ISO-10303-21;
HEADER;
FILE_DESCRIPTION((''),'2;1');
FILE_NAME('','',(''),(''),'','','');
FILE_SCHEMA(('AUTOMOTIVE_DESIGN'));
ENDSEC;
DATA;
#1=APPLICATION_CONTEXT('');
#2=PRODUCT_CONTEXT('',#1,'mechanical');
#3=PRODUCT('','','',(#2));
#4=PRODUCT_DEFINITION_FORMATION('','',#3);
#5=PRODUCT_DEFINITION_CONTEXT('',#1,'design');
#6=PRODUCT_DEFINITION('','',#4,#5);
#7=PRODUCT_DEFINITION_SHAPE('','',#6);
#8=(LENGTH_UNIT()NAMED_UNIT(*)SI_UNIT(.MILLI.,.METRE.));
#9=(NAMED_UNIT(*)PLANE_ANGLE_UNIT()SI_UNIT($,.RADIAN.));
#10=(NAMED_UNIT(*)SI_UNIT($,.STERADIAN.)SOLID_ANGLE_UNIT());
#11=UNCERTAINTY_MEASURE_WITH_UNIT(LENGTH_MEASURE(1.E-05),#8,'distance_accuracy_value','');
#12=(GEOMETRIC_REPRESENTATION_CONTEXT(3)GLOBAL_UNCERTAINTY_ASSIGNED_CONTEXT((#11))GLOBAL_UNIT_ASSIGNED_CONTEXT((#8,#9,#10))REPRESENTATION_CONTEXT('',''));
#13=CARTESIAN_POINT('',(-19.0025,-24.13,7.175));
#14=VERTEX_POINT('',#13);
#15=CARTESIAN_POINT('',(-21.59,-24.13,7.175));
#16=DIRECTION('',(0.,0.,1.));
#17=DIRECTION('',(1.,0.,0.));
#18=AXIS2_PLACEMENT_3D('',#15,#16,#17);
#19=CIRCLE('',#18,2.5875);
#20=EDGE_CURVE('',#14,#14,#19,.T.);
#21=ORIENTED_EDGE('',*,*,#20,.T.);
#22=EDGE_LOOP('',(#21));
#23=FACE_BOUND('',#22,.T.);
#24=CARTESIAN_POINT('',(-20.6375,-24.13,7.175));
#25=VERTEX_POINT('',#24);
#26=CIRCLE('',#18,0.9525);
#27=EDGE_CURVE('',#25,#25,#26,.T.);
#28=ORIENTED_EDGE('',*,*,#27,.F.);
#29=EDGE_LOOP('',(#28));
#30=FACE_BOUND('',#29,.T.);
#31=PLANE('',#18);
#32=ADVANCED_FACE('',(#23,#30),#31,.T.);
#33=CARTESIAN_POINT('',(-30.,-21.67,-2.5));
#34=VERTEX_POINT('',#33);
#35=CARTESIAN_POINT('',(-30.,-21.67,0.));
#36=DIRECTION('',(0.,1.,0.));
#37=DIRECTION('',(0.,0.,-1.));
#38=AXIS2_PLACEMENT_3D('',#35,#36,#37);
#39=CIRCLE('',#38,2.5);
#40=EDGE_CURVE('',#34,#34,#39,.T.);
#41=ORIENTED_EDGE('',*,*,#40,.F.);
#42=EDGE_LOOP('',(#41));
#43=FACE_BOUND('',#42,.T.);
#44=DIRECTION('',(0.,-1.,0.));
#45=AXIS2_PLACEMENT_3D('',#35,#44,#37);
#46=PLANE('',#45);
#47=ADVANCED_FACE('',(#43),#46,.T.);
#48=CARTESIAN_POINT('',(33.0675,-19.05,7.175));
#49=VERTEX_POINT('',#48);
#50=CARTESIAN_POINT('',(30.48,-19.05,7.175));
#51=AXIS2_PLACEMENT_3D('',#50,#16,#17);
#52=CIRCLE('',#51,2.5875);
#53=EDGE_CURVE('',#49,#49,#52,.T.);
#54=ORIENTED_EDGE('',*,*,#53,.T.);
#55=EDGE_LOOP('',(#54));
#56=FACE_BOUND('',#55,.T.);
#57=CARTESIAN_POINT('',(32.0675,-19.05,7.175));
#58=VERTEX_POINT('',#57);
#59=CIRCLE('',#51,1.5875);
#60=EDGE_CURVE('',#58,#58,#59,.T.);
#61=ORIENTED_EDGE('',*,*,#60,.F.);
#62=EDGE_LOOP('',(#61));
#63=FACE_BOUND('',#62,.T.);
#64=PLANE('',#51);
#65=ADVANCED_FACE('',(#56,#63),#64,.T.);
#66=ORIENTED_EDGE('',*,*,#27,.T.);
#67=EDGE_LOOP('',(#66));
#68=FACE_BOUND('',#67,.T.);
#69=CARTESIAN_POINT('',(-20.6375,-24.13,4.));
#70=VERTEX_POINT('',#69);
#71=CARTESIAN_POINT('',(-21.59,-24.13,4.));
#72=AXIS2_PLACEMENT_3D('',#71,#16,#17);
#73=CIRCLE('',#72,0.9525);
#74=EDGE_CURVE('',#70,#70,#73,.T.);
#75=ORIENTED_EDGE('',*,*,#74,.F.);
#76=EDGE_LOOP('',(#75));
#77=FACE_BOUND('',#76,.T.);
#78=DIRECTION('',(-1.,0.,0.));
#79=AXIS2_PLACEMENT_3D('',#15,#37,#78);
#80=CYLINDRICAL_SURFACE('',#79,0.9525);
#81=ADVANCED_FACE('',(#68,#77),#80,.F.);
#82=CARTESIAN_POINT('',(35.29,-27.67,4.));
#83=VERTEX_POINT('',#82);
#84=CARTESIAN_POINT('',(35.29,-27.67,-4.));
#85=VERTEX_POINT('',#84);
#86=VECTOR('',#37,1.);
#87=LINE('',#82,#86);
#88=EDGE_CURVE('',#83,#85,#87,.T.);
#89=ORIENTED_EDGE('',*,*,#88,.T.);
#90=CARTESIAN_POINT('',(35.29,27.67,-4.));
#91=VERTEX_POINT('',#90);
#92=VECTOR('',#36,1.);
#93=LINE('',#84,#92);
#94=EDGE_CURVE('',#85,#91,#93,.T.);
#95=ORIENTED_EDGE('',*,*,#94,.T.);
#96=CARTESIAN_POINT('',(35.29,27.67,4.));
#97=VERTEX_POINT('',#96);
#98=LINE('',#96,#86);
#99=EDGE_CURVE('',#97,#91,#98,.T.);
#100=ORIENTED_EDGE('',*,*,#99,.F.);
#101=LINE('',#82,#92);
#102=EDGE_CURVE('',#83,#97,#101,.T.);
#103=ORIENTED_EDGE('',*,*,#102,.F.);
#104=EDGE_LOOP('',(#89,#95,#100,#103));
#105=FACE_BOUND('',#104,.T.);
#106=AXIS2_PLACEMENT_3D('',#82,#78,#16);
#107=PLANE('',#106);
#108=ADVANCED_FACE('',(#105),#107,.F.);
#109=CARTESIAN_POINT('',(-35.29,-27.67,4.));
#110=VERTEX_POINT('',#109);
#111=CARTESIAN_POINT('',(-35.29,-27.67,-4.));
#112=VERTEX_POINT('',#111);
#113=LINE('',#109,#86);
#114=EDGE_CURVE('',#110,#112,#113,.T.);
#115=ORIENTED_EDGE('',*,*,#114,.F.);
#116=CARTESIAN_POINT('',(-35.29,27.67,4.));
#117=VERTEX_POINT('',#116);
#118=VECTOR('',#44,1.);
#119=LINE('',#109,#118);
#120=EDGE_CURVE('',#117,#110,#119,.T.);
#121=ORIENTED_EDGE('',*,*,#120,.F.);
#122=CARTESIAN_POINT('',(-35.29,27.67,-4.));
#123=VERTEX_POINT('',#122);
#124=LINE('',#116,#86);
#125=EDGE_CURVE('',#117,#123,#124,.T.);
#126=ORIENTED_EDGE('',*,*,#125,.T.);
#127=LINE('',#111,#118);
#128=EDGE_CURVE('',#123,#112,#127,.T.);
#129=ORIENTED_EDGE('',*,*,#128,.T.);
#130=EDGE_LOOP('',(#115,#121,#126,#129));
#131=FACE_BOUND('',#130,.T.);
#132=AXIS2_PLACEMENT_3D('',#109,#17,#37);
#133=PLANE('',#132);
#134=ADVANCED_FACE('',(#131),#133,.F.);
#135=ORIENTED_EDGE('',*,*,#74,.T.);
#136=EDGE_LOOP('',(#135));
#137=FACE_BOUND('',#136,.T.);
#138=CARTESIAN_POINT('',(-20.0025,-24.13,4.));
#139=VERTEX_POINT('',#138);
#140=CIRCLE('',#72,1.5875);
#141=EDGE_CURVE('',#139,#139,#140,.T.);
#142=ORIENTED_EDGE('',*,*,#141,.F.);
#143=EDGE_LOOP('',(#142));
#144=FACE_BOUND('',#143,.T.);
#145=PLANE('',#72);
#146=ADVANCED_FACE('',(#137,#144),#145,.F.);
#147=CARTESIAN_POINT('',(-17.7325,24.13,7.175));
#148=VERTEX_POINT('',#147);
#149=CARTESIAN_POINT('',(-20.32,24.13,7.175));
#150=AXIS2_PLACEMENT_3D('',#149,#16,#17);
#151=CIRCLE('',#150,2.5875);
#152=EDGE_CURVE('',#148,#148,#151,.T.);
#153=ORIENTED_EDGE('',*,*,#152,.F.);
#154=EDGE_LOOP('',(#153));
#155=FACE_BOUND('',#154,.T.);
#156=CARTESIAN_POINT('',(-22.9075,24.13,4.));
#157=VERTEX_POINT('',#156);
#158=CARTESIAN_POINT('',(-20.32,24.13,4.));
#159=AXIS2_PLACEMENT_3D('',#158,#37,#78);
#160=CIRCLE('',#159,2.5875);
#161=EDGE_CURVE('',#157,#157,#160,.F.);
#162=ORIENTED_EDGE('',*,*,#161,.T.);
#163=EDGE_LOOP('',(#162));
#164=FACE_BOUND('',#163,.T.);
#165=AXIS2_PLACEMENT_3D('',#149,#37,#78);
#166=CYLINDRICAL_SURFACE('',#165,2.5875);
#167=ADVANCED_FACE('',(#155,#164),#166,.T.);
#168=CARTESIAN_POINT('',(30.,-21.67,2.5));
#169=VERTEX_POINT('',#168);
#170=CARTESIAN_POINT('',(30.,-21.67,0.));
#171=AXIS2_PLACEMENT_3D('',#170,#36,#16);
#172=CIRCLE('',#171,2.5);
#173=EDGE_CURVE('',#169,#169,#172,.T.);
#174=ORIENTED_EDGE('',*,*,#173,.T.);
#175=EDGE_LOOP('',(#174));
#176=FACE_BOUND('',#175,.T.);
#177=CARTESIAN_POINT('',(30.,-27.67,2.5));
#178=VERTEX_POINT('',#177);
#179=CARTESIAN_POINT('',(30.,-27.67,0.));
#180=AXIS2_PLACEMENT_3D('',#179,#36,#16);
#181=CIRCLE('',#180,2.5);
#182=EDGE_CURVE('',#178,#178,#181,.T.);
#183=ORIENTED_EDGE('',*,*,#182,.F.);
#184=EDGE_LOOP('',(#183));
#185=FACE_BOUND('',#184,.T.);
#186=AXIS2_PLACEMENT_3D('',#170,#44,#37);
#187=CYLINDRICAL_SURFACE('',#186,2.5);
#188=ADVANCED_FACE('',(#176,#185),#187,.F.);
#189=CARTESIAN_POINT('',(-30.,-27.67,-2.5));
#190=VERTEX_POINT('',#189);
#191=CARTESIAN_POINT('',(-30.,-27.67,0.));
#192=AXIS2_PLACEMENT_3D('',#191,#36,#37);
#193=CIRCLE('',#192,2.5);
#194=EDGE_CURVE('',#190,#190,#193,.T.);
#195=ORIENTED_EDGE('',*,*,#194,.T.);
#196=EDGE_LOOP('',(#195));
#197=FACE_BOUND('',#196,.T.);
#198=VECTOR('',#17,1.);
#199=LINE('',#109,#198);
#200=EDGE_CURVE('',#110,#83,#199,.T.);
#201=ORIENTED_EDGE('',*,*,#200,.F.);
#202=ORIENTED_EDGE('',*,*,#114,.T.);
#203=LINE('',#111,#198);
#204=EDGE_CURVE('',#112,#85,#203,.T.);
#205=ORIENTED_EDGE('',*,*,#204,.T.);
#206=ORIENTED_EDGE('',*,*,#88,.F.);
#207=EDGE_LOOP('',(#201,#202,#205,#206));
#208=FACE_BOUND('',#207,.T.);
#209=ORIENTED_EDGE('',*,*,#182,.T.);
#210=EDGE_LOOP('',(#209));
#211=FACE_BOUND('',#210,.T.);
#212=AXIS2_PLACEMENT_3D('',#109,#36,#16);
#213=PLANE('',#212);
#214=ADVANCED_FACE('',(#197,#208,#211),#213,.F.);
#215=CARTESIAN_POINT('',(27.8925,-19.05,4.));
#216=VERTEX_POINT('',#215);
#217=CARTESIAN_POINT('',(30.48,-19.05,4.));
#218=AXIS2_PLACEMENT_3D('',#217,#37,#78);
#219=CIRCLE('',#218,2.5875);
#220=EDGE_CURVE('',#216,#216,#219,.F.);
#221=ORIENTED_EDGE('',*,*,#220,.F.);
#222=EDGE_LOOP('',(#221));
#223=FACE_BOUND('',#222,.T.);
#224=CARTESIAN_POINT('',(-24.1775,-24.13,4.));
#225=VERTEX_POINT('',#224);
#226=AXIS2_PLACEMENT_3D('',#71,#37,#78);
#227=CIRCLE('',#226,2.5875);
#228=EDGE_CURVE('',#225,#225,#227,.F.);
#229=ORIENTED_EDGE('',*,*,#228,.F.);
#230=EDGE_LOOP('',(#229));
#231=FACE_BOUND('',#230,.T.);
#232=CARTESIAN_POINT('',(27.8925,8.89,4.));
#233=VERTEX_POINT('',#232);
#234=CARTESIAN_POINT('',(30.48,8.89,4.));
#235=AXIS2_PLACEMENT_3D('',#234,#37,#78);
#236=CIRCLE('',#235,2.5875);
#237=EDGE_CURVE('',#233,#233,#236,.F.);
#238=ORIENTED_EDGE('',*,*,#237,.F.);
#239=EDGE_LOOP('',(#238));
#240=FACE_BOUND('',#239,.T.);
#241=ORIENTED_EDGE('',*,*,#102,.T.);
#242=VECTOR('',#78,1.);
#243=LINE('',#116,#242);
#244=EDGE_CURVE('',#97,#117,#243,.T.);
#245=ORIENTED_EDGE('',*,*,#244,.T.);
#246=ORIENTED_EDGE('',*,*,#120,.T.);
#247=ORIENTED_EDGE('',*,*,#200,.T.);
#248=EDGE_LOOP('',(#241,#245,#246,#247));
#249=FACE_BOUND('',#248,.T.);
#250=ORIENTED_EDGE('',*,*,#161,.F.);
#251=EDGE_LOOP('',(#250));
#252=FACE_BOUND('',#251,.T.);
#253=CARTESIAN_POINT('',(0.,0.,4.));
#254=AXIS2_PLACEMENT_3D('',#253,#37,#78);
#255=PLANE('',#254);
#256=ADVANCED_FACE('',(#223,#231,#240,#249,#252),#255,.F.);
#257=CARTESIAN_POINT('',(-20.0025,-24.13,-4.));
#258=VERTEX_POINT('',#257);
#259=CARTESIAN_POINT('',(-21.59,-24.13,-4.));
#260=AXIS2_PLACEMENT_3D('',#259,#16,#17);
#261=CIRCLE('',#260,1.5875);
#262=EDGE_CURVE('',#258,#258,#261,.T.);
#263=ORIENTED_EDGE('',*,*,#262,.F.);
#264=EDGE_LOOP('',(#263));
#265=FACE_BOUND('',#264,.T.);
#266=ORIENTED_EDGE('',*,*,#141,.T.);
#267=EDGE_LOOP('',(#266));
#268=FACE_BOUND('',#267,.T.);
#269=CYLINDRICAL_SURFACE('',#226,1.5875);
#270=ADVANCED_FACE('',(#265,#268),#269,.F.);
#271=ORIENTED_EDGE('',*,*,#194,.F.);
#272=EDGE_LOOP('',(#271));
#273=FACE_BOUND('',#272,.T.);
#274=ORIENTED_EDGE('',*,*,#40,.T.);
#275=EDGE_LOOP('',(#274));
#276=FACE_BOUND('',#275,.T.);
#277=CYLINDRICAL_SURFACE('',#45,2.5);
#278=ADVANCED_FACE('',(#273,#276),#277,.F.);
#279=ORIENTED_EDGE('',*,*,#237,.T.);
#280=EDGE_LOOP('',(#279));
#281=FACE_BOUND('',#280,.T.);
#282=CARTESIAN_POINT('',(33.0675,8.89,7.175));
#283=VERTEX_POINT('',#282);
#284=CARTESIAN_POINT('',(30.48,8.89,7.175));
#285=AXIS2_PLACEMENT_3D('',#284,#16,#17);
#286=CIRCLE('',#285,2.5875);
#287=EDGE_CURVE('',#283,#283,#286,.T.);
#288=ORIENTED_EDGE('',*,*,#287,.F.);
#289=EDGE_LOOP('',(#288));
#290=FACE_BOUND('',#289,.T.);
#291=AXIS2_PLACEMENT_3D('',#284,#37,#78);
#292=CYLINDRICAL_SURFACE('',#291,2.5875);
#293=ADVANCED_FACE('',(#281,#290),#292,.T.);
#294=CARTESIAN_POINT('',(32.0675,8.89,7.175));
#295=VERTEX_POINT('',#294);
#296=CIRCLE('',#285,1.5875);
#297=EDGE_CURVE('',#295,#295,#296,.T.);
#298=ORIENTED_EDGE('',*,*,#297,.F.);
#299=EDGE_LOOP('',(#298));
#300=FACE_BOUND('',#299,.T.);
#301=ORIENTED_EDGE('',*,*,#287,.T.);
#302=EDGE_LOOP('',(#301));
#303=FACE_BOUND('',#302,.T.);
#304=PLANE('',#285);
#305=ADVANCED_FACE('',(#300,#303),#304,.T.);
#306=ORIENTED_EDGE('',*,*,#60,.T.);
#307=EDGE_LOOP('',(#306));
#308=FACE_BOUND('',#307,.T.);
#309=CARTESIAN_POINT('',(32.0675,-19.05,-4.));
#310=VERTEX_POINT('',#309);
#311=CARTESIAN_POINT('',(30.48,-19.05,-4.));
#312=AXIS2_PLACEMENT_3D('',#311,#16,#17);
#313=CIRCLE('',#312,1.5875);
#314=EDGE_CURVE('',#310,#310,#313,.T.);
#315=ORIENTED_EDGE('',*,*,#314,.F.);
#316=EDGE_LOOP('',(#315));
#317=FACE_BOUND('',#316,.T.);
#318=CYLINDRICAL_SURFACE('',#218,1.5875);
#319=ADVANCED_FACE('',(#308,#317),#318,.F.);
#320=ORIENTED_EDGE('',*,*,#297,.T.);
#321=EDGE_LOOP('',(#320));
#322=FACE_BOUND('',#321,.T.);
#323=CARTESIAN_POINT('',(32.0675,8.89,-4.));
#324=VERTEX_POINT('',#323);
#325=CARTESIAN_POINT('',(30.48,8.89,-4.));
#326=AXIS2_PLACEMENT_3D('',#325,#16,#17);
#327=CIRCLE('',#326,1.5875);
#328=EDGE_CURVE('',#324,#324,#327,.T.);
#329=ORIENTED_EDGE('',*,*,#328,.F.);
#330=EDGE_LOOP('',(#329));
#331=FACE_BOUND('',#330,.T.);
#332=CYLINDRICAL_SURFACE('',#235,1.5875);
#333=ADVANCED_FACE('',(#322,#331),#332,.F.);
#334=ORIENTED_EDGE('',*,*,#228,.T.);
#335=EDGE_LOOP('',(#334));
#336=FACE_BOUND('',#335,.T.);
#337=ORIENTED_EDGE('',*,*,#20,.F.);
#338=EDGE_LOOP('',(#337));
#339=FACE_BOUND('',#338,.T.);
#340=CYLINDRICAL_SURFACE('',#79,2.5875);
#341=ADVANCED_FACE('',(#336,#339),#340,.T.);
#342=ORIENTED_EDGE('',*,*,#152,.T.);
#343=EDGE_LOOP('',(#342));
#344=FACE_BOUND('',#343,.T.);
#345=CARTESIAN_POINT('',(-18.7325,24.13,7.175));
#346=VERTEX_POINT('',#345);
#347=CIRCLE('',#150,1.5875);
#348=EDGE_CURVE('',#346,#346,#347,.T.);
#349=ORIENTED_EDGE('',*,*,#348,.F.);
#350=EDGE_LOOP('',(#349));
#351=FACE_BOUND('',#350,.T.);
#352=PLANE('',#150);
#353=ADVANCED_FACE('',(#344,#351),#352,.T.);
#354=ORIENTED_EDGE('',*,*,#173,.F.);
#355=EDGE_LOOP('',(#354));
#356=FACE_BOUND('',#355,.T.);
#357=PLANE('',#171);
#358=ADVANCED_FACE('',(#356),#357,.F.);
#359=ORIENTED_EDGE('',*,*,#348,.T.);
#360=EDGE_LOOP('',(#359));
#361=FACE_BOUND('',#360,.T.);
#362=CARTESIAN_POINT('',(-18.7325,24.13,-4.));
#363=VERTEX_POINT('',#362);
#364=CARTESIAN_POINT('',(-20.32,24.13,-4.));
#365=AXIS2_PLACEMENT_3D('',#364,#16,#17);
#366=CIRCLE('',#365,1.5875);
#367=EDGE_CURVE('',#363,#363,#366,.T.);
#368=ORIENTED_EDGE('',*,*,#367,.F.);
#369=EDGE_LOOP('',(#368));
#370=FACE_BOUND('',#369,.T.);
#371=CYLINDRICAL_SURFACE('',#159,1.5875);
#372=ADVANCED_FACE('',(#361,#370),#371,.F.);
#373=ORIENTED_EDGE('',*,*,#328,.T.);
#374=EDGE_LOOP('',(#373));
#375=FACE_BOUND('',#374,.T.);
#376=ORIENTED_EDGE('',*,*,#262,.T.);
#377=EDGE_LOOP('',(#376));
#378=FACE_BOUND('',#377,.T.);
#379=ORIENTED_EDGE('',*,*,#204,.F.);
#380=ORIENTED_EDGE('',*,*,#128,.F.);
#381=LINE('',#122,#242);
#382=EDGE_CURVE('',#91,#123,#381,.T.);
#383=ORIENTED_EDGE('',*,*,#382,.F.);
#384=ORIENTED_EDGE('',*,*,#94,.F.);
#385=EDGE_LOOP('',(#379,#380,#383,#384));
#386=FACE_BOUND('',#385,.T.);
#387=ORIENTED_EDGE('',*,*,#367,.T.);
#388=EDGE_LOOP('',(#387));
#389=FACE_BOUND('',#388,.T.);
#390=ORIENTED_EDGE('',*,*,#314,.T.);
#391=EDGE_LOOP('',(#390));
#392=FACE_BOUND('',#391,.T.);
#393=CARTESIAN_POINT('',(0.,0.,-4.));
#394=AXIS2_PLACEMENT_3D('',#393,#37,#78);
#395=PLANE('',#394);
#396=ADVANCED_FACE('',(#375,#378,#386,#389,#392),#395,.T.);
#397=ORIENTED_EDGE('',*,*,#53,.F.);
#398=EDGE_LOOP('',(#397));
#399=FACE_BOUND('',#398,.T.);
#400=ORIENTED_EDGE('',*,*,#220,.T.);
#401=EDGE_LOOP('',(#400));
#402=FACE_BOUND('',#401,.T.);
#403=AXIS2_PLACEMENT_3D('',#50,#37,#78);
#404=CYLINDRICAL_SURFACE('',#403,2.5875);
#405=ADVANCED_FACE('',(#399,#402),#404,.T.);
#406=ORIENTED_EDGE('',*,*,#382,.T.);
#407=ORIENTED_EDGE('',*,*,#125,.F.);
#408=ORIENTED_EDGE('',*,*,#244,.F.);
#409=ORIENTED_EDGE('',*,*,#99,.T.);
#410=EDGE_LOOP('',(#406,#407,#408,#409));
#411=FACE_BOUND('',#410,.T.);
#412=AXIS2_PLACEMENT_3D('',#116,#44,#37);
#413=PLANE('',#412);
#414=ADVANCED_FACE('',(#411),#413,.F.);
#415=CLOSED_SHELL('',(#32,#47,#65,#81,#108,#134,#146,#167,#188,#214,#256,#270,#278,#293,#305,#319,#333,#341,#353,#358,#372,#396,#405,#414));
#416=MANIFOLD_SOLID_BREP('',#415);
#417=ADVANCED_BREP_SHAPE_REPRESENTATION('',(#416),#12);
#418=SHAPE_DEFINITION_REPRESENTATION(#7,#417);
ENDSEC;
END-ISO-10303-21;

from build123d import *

# Parameters (mm, degrees)
SKETCH1_W           = 70.58
SKETCH1_H           = 55.34
SKETCH1_R           = 1.5875
BOSS_EXTRUDE1_DEPTH = 4
SKETCH2_R           = 2.5
CUT_EXTRUDE1_DEPTH  = 6
SKETCH3_R           = 2.5875
SKETCH3_R_2         = 1.5875
SKETCH3_R_3         = 0.9525
BOSS_EXTRUDE2_DEPTH = 3.175


with BuildPart() as part:
    # Sketch1 → Boss-Extrude1 (new, symmetric)
    with BuildSketch(Plane.XY):
        Rectangle(SKETCH1_W, SKETCH1_H)
        with Locations((-20.32, 24.13)):
            Circle(SKETCH1_R, mode=Mode.SUBTRACT)
        with Locations((30.48, 8.89)):
            Circle(SKETCH1_R, mode=Mode.SUBTRACT)
        with Locations((30.48, -19.05)):
            Circle(SKETCH1_R, mode=Mode.SUBTRACT)
        with Locations((-21.59, -24.13)):
            Circle(SKETCH1_R, mode=Mode.SUBTRACT)
    extrude(amount=BOSS_EXTRUDE1_DEPTH, both=True)

    # Sketch2 → Cut-Extrude1 (cut)
    with BuildSketch(Plane(origin=(0, -27.67, 0), x_dir=(1, 0, 0), z_dir=(0, 1, 0))):
        with Locations(Location((30, 0, 0), (0, 0, 270))):
            Circle(SKETCH2_R)
        with Locations(Location((-30, 0, 0), (0, 0, 90))):
            Circle(SKETCH2_R)
    extrude(amount=CUT_EXTRUDE1_DEPTH, mode=Mode.SUBTRACT)

    # Sketch3 → Boss-Extrude2 (add)
    # profile 1 of 4: a face of its own
    with BuildSketch(Plane.XY.offset(4)):
        with Locations(Location((-20.32, 24.13, 0), (0, 0, 180))):
            Circle(SKETCH3_R)
        with Locations((-20.32, 24.13)):
            Circle(SKETCH3_R_2, mode=Mode.SUBTRACT)
    # profile 2 of 4: a face of its own
    with BuildSketch(Plane.XY.offset(4)):
        with Locations(Location((-21.59, -24.13, 0), (0, 0, 180))):
            Circle(SKETCH3_R)
        with Locations((-21.59, -24.13)):
            Circle(SKETCH3_R_3, mode=Mode.SUBTRACT)
    # profile 3 of 4: a face of its own
    with BuildSketch(Plane.XY.offset(4)):
        with Locations(Location((30.48, 8.89, 0), (0, 0, 180))):
            Circle(SKETCH3_R)
        with Locations((30.48, 8.89)):
            Circle(SKETCH3_R_2, mode=Mode.SUBTRACT)
    # profile 4 of 4: a face of its own
    with BuildSketch(Plane.XY.offset(4)):
        with Locations(Location((30.48, -19.05, 0), (0, 0, 180))):
            Circle(SKETCH3_R)
        with Locations((30.48, -19.05)):
            Circle(SKETCH3_R_2, mode=Mode.SUBTRACT)
    extrude(amount=BOSS_EXTRUDE2_DEPTH)


solid = part.part
